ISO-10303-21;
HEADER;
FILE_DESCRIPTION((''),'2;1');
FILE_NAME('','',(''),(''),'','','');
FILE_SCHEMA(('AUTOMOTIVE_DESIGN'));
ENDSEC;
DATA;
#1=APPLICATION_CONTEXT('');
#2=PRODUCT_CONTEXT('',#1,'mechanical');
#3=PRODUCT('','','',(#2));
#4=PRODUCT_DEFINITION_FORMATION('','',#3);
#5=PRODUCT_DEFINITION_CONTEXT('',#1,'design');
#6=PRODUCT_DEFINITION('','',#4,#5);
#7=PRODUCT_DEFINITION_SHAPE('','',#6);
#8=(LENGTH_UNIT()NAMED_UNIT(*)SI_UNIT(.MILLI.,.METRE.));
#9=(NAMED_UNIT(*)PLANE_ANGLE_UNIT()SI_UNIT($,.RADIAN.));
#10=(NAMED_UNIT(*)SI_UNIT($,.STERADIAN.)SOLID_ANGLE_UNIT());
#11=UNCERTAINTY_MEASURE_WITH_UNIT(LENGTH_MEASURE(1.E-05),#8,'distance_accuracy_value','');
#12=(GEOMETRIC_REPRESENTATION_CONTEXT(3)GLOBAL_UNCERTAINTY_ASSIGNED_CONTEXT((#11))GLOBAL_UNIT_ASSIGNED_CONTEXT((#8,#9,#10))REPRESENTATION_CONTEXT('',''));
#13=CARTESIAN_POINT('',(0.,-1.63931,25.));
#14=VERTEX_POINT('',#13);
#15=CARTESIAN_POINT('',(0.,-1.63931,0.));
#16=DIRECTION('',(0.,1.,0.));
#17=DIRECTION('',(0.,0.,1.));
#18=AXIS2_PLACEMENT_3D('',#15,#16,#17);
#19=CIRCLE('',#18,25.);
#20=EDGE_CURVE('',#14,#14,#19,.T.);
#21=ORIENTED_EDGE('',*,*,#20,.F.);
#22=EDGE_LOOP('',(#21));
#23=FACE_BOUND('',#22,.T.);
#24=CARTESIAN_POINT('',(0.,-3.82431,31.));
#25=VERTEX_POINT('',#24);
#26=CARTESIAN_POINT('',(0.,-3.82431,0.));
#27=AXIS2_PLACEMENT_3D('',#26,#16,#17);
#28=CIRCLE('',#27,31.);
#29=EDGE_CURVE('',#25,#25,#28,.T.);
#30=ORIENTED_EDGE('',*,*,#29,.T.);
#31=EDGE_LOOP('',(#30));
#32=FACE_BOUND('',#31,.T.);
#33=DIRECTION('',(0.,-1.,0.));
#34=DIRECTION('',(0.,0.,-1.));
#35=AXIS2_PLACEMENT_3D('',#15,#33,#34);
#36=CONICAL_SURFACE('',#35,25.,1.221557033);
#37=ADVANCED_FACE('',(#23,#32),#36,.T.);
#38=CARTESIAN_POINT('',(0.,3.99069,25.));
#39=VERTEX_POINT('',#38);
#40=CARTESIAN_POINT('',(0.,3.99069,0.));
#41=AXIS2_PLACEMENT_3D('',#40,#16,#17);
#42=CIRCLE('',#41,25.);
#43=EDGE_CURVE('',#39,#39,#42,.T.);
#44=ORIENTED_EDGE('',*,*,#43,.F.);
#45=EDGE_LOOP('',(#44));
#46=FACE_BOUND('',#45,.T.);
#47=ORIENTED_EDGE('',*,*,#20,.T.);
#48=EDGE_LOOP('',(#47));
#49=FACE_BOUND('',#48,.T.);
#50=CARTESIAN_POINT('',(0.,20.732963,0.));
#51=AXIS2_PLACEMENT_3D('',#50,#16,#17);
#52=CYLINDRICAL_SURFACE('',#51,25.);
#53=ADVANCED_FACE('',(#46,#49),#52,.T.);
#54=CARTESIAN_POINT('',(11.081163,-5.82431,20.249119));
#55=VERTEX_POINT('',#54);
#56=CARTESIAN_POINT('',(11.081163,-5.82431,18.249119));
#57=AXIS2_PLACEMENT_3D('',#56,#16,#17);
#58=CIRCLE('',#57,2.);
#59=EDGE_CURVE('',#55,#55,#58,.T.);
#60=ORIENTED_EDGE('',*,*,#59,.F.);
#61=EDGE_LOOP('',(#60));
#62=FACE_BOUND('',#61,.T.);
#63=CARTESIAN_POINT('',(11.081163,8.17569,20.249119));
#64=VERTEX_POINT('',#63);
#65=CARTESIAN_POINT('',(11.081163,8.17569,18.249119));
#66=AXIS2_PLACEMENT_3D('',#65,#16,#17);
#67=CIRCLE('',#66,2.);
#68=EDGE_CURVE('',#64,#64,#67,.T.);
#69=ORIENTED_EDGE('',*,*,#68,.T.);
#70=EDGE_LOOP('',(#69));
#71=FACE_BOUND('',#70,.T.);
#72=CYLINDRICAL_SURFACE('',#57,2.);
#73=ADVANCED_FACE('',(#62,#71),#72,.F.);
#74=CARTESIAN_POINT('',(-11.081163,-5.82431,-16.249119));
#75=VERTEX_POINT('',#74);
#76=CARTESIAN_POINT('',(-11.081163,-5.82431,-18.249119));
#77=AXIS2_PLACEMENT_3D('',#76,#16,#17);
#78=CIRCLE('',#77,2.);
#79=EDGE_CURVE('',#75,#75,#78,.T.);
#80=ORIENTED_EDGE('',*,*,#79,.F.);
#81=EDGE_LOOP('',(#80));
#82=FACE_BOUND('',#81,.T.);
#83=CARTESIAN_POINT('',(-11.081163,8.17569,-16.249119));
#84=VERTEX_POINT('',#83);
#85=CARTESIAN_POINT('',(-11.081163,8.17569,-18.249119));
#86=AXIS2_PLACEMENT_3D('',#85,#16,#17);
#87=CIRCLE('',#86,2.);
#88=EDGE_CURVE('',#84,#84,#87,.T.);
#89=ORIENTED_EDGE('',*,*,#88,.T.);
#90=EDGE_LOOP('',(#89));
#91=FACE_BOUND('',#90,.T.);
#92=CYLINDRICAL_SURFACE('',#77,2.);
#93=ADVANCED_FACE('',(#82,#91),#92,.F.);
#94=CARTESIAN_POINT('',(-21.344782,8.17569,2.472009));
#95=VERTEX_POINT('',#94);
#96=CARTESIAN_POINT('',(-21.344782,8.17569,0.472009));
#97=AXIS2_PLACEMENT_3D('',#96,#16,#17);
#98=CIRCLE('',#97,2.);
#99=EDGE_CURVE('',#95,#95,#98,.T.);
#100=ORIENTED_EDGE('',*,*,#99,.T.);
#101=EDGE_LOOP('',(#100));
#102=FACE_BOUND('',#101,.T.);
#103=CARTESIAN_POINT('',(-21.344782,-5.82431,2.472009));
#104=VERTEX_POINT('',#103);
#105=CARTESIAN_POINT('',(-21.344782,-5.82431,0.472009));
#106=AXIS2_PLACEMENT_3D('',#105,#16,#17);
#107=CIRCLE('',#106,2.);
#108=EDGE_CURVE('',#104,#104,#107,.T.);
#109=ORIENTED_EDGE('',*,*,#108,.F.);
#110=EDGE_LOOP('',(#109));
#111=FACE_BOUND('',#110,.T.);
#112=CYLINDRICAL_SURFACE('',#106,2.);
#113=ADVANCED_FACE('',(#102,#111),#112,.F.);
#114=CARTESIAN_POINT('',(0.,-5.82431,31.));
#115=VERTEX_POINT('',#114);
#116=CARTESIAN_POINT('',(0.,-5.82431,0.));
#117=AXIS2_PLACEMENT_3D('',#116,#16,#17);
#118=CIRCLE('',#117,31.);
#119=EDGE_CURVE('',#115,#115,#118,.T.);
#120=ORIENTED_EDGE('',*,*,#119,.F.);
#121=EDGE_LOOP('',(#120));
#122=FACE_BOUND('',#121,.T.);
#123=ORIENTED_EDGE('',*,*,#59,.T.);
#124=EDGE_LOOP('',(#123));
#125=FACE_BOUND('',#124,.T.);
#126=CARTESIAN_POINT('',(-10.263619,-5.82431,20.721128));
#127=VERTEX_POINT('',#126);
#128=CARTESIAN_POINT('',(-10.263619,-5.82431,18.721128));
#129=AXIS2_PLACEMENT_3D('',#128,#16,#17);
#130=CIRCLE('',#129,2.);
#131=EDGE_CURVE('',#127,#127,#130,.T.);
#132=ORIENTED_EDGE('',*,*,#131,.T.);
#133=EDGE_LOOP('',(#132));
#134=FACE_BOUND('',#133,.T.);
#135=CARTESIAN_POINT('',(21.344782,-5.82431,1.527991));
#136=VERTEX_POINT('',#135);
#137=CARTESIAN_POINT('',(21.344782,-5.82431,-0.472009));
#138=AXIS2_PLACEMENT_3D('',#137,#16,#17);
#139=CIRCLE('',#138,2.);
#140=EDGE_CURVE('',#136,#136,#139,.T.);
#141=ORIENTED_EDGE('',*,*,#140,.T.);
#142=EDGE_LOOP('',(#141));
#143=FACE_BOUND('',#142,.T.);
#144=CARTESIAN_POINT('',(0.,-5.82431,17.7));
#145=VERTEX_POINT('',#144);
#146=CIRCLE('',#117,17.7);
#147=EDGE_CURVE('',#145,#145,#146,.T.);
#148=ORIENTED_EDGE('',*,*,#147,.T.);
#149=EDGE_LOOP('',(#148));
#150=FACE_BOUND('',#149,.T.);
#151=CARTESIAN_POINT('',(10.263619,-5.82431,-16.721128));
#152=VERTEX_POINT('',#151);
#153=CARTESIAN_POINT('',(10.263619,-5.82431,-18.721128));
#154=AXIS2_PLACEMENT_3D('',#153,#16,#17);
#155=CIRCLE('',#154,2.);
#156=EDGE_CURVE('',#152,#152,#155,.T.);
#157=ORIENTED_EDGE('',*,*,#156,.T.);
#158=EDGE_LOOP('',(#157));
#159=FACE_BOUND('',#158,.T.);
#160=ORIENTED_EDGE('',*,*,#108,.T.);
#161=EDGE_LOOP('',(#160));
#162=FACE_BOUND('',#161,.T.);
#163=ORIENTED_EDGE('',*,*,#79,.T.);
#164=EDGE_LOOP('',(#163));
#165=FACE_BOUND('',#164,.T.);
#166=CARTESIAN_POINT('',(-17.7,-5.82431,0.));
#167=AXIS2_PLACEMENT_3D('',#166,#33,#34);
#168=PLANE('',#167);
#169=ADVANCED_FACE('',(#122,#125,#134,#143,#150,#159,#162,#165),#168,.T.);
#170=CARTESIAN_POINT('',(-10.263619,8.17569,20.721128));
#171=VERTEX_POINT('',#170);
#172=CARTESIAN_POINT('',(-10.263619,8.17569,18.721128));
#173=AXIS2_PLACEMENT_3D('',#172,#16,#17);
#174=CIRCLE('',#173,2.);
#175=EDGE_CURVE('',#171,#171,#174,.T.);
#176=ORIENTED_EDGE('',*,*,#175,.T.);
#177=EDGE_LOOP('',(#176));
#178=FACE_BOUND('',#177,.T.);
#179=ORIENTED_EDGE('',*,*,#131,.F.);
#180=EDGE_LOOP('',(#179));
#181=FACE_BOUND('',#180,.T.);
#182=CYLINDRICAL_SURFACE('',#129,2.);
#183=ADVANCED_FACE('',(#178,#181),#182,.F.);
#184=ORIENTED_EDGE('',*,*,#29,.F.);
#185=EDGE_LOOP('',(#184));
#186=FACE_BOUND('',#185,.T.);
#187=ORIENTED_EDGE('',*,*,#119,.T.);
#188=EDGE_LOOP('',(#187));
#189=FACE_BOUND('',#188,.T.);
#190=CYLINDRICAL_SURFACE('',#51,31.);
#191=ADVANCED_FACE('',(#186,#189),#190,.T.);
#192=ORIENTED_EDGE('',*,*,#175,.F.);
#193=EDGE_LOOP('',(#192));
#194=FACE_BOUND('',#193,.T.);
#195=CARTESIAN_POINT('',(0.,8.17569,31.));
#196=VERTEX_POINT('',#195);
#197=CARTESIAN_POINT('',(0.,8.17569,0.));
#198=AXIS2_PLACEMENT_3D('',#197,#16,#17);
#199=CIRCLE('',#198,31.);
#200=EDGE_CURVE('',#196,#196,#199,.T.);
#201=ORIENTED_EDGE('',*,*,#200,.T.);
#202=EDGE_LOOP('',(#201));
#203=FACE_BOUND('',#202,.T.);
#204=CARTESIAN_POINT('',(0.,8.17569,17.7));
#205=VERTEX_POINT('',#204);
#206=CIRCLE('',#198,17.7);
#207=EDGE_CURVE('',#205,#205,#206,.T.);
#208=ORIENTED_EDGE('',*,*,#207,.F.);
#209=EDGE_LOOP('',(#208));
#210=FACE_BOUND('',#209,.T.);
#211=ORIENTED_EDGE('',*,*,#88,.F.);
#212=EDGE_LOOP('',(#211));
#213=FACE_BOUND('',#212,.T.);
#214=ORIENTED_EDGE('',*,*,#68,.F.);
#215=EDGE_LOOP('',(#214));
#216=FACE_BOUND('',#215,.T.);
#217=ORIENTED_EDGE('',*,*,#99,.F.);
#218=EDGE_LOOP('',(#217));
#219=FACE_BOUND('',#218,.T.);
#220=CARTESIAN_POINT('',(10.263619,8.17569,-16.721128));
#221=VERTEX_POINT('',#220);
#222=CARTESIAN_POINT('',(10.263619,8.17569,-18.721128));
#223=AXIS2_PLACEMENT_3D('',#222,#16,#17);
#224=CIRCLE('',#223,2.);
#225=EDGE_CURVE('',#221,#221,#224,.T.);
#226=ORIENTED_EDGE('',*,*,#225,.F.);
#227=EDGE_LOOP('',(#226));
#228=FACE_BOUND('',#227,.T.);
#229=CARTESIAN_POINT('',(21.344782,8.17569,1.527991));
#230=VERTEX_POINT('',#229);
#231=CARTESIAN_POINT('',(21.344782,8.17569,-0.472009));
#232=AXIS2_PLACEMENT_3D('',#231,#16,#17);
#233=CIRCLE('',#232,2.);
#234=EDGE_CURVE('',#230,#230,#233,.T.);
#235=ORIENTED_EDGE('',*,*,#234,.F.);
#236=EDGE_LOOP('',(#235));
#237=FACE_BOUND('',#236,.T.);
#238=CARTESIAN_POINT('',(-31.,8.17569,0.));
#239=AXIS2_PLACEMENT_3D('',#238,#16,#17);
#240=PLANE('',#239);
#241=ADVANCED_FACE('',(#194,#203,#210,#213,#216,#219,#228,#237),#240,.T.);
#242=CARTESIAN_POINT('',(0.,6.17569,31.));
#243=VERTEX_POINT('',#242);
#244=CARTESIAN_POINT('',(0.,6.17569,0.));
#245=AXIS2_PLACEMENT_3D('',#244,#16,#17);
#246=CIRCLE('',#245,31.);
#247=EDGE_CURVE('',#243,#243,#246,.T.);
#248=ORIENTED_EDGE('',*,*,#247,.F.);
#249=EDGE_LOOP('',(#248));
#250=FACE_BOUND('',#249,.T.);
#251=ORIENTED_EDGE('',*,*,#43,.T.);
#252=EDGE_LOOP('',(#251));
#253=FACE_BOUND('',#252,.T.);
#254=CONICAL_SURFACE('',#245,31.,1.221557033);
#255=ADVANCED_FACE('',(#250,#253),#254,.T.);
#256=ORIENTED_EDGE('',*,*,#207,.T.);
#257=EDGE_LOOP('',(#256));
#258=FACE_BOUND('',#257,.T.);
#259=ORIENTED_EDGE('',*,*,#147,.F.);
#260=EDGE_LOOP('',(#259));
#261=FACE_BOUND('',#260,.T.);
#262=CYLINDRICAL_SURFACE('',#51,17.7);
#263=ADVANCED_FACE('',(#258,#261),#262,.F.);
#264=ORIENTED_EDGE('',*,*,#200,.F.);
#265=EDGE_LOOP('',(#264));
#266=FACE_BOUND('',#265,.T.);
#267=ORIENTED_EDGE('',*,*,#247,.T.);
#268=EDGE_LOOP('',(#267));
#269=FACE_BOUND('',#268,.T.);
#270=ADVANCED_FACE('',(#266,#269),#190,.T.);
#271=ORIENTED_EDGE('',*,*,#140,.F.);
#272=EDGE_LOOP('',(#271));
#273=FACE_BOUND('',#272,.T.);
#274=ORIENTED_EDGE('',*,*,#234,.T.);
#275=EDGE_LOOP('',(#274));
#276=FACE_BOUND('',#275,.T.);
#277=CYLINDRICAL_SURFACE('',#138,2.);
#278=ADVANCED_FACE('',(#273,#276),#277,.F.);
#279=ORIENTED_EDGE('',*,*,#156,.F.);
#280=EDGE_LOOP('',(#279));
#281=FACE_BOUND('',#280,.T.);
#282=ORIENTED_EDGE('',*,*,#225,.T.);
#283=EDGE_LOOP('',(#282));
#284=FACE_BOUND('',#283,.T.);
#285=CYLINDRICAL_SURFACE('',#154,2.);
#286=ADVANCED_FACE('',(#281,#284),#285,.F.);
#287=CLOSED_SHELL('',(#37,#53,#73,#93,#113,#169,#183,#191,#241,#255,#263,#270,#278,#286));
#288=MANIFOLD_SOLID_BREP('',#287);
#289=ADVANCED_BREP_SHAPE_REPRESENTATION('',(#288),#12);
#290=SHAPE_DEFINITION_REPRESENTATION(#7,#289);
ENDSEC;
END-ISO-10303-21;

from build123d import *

# Parameters (mm, degrees)
SKETCH2_R          = 2
CUT_EXTRUDE1_DEPTH = 14


with BuildPart() as part:
    # Sketch1 → Revolve1 (revolve)
    with BuildSketch(Plane.XY, mode=Mode.PRIVATE) as revolve1_sk:
        Polygon((-17.7, 8.175689529), (-17.7, -5.824310471), (-31, -5.824310471), (-31, -3.824310471), (-25, -1.639310471), (-25, 3.990689529), (-31, 6.175689529), (-31, 8.175689529), align=None)
    revolve(revolve1_sk.sketch.rotate(Axis((0, 20.732962991, 0), (0, -1, 0)), 270), axis=Axis((0, 20.732962991, 0), (0, -1, 0)))

    # Sketch2 → Cut-Extrude1 (cut)
    with BuildSketch(Plane(origin=(0, 8.175689529, 0), x_dir=(1, 0, 0), z_dir=(0, 1, 0))):
        with Locations(Location((11.081162791, -18.249118642, 0), (0, 0, 270))):
            Circle(SKETCH2_R)
        with Locations(Location((-10.263618945, -18.721127801, 0), (0, 0, 270))):
            Circle(SKETCH2_R)
        with Locations(Location((-21.344781736, -0.472009159, 0), (0, 0, 270))):
            Circle(SKETCH2_R)
        with Locations(Location((-11.081162791, 18.249118642, 0), (0, 0, 270))):
            Circle(SKETCH2_R)
        with Locations(Location((10.263618945, 18.721127801, 0), (0, 0, 270))):
            Circle(SKETCH2_R)
        with Locations(Location((21.344781736, 0.472009159, 0), (0, 0, 270))):
            Circle(SKETCH2_R)
    extrude(amount=-CUT_EXTRUDE1_DEPTH, mode=Mode.SUBTRACT)


solid = part.part
